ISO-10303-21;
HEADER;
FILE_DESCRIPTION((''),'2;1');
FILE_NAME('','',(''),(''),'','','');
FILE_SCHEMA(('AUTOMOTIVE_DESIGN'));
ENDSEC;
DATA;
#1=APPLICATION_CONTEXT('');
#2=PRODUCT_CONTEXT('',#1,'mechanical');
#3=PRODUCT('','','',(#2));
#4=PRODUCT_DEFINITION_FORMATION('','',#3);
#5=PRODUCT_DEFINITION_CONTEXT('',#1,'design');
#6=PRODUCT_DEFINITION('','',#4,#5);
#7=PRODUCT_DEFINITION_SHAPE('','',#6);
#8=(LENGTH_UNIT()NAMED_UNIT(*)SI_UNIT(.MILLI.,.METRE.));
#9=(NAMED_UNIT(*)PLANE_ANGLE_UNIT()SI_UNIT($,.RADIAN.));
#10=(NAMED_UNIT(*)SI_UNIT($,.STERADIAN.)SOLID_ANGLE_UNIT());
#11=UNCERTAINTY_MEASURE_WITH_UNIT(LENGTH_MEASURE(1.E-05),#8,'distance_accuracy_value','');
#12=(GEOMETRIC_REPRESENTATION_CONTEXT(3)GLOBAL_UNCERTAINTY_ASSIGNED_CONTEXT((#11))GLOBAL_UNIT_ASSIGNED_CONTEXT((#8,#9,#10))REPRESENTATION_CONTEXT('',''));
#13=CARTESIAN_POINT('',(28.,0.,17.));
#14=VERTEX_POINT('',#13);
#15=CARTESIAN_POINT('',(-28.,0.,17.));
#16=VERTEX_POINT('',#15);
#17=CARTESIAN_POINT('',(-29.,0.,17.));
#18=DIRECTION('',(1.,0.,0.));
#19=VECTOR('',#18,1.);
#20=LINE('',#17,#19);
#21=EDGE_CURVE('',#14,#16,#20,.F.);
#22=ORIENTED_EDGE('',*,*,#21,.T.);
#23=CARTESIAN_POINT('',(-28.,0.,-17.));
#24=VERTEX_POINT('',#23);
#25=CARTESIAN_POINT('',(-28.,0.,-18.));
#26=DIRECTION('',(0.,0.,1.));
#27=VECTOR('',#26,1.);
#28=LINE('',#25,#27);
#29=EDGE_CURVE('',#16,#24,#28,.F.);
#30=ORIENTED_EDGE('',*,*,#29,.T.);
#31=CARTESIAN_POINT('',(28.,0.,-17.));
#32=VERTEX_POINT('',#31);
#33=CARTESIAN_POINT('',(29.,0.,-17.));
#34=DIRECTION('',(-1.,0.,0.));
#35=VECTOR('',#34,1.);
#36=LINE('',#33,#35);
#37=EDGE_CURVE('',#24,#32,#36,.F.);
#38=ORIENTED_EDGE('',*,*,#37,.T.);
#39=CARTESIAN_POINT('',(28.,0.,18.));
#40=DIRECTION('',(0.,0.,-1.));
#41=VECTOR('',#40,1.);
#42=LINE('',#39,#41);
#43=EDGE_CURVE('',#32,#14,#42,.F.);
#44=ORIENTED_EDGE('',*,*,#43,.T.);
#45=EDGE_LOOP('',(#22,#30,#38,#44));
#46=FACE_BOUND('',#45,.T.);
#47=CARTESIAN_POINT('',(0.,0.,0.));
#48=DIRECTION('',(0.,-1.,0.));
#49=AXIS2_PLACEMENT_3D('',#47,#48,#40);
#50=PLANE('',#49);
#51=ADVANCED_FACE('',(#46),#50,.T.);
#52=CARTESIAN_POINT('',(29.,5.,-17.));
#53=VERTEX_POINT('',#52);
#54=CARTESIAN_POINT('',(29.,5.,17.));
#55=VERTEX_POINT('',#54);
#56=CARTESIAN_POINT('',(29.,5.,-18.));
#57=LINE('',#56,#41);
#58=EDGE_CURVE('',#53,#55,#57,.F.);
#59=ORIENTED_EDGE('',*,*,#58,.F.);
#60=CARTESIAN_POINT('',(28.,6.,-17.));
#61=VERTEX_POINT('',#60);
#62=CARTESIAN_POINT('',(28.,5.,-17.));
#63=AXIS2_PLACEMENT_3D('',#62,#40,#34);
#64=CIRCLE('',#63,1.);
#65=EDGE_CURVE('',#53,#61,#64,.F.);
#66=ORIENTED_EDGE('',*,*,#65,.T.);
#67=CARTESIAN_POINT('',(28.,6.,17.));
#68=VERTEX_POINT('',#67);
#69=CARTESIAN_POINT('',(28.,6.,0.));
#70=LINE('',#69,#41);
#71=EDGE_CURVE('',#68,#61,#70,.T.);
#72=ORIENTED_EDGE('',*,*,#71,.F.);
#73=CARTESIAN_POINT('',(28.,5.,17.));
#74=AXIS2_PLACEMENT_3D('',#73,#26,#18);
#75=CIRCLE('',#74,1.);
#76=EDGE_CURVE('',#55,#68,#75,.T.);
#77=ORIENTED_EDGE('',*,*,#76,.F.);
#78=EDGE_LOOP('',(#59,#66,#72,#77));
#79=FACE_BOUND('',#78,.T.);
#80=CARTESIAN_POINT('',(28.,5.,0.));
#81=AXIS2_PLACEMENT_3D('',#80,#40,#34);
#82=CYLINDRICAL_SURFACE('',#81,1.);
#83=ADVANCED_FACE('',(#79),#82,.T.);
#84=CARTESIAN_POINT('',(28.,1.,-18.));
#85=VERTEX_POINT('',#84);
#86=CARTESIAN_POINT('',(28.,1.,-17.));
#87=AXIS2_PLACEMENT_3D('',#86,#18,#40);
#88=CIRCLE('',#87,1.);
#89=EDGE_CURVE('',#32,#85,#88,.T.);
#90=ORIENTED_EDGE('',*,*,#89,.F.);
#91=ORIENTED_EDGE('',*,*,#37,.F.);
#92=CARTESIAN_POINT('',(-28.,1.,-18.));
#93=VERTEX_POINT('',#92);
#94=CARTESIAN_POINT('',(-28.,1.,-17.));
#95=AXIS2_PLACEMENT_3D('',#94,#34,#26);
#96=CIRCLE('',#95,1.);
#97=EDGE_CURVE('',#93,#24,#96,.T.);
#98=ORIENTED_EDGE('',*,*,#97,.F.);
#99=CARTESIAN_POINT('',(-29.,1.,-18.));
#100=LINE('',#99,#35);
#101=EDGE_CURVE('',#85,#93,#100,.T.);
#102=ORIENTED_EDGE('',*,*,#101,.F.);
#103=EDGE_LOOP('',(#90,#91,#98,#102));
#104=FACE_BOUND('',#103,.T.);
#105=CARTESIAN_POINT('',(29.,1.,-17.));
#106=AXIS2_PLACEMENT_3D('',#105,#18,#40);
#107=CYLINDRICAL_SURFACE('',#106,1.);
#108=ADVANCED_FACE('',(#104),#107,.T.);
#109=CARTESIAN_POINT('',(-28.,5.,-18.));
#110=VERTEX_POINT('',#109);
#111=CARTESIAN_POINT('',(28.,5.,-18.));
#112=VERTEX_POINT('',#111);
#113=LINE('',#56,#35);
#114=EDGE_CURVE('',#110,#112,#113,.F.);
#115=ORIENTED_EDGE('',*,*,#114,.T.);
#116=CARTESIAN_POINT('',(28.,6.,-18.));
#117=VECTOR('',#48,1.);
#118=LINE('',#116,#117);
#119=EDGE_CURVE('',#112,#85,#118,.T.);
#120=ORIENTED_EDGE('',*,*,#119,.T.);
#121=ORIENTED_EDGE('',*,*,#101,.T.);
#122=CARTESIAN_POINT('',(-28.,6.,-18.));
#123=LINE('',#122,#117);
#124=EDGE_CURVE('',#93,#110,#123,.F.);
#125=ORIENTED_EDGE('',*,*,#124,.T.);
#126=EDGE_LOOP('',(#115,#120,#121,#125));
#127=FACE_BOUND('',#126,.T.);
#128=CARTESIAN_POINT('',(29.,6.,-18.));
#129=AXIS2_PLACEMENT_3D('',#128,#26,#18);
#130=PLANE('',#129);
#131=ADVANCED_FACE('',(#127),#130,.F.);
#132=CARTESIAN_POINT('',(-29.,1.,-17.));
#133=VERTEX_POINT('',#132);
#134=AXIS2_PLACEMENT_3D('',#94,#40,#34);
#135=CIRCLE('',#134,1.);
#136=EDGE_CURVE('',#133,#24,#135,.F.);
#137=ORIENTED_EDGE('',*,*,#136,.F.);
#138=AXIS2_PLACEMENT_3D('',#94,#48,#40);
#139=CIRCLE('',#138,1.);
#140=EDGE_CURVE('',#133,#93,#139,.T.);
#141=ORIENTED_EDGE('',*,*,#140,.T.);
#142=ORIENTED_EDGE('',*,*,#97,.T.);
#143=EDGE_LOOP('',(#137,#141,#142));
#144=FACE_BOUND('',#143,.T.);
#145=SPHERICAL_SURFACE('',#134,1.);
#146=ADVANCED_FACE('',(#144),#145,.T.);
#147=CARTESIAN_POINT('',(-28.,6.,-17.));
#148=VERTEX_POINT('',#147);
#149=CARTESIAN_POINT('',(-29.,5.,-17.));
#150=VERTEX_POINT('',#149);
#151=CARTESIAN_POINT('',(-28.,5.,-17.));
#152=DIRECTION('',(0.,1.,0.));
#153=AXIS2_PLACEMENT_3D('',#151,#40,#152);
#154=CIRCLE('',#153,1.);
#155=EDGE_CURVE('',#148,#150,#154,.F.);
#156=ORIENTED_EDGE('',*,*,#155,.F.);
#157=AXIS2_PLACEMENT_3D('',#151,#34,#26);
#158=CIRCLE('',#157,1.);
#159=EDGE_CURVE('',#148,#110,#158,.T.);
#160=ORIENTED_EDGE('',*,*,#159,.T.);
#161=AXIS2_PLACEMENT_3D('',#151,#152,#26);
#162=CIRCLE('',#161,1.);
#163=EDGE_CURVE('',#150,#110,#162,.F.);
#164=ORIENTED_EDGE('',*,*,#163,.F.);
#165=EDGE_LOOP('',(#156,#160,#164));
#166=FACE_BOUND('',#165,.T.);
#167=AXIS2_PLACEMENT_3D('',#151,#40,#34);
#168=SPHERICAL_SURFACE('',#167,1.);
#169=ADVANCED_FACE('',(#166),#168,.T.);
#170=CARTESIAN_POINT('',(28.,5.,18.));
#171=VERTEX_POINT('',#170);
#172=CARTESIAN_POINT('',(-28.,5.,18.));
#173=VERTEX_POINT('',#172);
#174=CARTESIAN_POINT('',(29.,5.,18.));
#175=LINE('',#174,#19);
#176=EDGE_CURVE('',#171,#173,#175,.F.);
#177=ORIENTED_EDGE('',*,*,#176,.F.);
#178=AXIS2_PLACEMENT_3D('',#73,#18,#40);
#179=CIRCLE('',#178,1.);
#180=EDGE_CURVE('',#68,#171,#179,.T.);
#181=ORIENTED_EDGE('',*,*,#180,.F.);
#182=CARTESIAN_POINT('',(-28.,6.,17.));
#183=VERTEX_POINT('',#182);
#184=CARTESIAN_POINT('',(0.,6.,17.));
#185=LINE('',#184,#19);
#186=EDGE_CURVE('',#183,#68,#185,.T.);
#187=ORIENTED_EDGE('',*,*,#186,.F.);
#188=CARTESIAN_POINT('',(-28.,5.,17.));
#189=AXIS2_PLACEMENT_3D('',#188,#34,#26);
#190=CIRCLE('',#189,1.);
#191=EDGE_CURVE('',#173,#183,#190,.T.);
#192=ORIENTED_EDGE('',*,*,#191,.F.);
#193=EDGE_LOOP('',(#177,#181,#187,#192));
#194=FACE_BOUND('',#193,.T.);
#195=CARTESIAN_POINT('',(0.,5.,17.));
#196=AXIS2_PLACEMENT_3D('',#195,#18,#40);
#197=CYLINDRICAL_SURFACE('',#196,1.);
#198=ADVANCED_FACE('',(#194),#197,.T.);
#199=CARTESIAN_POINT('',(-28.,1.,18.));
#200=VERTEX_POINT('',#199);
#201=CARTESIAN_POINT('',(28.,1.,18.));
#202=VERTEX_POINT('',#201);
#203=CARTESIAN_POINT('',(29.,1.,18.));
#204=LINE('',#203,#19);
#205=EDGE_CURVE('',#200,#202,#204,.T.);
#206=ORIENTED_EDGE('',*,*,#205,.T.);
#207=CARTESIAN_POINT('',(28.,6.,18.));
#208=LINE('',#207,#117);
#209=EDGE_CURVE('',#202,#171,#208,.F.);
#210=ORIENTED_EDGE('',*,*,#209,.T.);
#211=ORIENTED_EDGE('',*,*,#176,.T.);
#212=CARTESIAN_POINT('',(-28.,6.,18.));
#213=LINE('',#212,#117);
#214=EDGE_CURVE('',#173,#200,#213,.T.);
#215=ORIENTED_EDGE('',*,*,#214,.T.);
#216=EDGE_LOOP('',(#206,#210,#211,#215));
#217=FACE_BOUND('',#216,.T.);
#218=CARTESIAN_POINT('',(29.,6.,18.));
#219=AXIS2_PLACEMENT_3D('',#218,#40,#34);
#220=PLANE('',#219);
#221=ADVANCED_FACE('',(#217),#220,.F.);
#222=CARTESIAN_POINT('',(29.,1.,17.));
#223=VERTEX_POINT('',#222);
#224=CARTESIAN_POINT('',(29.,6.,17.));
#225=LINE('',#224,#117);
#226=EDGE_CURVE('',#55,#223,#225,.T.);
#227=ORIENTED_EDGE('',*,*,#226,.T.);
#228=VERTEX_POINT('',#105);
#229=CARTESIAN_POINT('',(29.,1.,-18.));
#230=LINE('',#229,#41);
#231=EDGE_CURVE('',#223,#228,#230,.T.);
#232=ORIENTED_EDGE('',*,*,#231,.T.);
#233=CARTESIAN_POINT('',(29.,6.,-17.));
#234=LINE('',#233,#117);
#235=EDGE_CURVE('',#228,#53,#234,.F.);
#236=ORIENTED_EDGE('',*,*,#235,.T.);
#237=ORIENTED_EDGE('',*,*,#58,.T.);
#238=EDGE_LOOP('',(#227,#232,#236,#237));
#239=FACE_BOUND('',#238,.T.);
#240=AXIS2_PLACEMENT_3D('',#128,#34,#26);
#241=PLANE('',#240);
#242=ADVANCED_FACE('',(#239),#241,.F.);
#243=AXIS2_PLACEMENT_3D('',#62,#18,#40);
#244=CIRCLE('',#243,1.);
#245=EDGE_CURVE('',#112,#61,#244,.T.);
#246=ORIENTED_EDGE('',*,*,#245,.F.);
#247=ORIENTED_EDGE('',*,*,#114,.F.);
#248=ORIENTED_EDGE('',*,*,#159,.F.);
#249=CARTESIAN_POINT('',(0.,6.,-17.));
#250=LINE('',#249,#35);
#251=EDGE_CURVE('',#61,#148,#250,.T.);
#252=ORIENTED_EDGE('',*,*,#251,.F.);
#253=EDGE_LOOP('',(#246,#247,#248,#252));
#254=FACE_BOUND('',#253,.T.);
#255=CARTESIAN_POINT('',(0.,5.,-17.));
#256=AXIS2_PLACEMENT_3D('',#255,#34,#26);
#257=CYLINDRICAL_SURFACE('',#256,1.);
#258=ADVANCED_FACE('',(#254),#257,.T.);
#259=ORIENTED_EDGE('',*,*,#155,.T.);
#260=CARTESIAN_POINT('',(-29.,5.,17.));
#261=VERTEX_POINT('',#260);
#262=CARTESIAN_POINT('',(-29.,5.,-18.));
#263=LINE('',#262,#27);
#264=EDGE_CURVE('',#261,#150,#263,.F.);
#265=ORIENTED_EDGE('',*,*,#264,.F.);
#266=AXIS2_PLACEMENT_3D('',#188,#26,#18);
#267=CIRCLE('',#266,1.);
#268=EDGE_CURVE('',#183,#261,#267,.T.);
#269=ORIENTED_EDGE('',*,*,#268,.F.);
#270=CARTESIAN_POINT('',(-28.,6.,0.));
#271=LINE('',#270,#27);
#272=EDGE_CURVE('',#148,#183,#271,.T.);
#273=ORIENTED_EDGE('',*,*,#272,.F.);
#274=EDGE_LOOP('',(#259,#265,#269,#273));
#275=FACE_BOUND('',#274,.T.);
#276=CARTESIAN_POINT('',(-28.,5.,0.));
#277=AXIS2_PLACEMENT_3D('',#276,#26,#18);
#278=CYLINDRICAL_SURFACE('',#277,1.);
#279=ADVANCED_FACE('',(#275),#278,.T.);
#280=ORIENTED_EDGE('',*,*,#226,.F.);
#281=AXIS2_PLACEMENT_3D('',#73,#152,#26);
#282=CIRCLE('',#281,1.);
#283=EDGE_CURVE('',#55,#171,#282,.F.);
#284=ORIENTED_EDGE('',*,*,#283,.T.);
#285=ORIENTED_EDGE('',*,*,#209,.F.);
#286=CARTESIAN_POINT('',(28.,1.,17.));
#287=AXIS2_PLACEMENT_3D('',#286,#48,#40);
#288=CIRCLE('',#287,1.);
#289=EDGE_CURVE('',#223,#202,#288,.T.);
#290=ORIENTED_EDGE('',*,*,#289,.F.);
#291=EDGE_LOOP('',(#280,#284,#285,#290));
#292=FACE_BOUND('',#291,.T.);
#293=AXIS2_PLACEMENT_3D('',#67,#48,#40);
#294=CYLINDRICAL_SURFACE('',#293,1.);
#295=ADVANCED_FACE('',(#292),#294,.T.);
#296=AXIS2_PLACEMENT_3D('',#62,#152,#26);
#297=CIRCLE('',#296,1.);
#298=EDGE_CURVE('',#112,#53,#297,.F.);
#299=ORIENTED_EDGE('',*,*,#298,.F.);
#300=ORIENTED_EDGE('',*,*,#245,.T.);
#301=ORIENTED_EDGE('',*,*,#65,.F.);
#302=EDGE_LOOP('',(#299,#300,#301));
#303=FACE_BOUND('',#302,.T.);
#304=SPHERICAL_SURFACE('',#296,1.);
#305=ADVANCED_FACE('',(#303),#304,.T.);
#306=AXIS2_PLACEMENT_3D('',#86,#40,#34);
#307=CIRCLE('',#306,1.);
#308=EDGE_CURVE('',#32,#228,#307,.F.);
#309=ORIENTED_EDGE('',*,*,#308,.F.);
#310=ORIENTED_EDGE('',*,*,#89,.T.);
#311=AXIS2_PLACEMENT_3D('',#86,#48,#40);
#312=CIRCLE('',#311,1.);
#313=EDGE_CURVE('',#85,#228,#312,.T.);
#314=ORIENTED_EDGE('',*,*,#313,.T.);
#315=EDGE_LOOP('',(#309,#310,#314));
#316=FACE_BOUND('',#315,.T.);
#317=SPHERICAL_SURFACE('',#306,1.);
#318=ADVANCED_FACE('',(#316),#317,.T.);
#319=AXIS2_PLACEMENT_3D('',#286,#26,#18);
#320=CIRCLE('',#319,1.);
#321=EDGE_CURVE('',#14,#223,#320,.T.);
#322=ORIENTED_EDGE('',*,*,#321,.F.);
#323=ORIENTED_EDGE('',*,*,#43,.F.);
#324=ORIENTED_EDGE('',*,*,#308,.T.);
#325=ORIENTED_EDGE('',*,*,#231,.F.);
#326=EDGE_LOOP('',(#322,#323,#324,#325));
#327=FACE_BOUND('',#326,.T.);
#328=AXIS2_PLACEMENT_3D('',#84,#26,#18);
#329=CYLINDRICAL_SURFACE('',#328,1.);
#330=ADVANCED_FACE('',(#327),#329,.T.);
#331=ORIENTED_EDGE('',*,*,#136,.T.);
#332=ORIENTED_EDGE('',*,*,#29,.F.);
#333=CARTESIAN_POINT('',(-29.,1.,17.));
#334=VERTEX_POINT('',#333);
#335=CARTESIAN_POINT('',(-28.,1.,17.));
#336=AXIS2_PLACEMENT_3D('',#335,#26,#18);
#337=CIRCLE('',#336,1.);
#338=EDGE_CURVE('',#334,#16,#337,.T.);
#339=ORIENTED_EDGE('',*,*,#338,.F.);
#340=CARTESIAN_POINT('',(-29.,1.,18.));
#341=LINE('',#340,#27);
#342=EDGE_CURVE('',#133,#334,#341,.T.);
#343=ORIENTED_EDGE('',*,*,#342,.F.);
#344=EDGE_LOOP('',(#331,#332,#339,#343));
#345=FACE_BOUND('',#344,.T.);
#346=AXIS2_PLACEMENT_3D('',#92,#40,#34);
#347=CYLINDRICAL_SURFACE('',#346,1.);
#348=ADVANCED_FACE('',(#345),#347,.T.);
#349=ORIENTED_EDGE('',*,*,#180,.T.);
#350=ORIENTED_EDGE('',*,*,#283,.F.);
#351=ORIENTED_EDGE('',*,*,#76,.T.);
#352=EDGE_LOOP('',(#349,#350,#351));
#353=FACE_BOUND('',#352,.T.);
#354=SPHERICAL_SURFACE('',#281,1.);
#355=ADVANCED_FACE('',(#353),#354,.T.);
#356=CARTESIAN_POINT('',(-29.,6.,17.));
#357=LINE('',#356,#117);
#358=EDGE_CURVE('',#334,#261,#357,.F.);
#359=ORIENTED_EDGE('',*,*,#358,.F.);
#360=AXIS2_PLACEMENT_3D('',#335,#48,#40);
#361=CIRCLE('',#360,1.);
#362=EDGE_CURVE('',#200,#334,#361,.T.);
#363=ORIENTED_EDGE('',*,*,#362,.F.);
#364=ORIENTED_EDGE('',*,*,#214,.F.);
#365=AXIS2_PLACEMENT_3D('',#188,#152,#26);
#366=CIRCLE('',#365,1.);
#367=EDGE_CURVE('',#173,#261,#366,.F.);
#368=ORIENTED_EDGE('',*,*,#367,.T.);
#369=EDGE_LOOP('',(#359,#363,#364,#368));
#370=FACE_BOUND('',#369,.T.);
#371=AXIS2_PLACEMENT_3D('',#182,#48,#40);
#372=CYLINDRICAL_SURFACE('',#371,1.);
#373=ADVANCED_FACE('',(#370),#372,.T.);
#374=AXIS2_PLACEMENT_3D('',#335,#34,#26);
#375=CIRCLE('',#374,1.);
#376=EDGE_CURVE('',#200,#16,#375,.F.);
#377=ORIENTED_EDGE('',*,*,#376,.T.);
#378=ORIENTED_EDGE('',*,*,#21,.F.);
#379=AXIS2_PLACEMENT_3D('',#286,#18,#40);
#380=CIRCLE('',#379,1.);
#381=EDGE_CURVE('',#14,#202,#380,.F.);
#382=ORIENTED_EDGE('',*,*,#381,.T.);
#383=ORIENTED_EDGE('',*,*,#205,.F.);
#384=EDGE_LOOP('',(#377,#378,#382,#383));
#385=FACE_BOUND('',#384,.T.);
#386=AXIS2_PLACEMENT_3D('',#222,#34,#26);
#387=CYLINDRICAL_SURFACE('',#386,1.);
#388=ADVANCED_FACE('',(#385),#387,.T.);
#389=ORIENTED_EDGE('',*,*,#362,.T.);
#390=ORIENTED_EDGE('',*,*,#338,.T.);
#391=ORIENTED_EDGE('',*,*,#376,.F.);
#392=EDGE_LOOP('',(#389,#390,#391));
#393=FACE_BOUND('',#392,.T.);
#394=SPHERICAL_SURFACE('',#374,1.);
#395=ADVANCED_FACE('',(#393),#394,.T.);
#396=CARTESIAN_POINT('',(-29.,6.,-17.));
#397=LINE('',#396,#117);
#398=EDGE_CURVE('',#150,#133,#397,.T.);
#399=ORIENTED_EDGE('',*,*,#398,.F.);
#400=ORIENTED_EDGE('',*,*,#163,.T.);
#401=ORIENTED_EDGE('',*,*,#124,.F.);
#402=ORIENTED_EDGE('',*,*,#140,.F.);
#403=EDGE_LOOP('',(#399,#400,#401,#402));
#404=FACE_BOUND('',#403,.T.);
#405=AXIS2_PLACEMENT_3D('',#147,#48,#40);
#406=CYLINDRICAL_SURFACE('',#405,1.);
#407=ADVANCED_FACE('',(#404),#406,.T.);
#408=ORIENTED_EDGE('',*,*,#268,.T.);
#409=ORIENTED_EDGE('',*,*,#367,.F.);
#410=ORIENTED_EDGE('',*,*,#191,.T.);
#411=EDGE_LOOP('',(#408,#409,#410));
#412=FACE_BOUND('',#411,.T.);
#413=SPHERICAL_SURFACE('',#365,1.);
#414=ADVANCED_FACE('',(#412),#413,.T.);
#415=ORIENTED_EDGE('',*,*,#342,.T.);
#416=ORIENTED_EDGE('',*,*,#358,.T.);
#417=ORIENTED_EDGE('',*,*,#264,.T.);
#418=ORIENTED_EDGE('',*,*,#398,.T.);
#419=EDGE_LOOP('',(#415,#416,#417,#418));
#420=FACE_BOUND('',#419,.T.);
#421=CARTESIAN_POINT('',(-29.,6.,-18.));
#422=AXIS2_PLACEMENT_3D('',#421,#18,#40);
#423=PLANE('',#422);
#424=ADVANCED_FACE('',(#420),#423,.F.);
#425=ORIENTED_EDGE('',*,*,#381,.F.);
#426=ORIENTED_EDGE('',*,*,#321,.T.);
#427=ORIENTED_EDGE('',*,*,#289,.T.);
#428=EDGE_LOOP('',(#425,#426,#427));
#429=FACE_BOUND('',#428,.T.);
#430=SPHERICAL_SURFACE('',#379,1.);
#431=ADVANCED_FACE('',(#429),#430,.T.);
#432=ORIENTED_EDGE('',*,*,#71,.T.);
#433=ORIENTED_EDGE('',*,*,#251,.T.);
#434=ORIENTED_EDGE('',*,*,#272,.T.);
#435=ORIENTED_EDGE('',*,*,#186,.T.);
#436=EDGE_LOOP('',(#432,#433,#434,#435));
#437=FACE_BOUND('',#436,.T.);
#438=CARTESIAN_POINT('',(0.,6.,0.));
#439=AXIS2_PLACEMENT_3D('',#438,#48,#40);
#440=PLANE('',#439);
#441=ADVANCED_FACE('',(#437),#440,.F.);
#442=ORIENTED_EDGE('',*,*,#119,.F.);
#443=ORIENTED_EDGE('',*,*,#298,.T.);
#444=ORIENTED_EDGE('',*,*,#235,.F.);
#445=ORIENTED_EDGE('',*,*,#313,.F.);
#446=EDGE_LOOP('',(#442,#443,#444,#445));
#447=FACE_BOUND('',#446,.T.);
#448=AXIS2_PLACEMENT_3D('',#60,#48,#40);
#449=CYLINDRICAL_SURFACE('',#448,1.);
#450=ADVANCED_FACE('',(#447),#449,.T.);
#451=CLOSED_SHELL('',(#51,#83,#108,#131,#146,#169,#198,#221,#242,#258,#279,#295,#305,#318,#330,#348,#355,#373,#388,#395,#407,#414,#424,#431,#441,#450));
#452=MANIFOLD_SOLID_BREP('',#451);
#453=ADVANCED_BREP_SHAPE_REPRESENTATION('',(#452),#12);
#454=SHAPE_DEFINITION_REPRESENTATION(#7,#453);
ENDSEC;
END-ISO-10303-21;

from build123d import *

# Parameters (mm, degrees)
ESBO_O1_W                = 58
ESBO_O1_H                = 36
RESSALTO_EXTRUS_O1_DEPTH = 6
FILETE1_R                = 1


with BuildPart() as part:
    # Esboço1 → Ressalto-extrusão1 (new body)
    with BuildSketch(Plane(origin=(0, 0, 0), x_dir=(1, 0, 0), z_dir=(0, 1, 0))):
        Rectangle(ESBO_O1_W, ESBO_O1_H)
    extrude(amount=RESSALTO_EXTRUS_O1_DEPTH)

    # Filete1
    filete1_edges = [part.edges().sort_by_distance(p)[0] for p in [
        (29, 6, 0),
        (0, 6, -18),
        (-29, 6, 0),
        (0, 0, -18),
        (29, 0, 0),
        (0, 0, 18),
        (-29, 0, 0),
        (-29, 3, -18),
        (29, 3, -18),
        (29, 3, 18),
        (-29, 3, 18),
        (0, 6, 18),
    ]]
    fillet(filete1_edges, radius=FILETE1_R)


solid = part.part
